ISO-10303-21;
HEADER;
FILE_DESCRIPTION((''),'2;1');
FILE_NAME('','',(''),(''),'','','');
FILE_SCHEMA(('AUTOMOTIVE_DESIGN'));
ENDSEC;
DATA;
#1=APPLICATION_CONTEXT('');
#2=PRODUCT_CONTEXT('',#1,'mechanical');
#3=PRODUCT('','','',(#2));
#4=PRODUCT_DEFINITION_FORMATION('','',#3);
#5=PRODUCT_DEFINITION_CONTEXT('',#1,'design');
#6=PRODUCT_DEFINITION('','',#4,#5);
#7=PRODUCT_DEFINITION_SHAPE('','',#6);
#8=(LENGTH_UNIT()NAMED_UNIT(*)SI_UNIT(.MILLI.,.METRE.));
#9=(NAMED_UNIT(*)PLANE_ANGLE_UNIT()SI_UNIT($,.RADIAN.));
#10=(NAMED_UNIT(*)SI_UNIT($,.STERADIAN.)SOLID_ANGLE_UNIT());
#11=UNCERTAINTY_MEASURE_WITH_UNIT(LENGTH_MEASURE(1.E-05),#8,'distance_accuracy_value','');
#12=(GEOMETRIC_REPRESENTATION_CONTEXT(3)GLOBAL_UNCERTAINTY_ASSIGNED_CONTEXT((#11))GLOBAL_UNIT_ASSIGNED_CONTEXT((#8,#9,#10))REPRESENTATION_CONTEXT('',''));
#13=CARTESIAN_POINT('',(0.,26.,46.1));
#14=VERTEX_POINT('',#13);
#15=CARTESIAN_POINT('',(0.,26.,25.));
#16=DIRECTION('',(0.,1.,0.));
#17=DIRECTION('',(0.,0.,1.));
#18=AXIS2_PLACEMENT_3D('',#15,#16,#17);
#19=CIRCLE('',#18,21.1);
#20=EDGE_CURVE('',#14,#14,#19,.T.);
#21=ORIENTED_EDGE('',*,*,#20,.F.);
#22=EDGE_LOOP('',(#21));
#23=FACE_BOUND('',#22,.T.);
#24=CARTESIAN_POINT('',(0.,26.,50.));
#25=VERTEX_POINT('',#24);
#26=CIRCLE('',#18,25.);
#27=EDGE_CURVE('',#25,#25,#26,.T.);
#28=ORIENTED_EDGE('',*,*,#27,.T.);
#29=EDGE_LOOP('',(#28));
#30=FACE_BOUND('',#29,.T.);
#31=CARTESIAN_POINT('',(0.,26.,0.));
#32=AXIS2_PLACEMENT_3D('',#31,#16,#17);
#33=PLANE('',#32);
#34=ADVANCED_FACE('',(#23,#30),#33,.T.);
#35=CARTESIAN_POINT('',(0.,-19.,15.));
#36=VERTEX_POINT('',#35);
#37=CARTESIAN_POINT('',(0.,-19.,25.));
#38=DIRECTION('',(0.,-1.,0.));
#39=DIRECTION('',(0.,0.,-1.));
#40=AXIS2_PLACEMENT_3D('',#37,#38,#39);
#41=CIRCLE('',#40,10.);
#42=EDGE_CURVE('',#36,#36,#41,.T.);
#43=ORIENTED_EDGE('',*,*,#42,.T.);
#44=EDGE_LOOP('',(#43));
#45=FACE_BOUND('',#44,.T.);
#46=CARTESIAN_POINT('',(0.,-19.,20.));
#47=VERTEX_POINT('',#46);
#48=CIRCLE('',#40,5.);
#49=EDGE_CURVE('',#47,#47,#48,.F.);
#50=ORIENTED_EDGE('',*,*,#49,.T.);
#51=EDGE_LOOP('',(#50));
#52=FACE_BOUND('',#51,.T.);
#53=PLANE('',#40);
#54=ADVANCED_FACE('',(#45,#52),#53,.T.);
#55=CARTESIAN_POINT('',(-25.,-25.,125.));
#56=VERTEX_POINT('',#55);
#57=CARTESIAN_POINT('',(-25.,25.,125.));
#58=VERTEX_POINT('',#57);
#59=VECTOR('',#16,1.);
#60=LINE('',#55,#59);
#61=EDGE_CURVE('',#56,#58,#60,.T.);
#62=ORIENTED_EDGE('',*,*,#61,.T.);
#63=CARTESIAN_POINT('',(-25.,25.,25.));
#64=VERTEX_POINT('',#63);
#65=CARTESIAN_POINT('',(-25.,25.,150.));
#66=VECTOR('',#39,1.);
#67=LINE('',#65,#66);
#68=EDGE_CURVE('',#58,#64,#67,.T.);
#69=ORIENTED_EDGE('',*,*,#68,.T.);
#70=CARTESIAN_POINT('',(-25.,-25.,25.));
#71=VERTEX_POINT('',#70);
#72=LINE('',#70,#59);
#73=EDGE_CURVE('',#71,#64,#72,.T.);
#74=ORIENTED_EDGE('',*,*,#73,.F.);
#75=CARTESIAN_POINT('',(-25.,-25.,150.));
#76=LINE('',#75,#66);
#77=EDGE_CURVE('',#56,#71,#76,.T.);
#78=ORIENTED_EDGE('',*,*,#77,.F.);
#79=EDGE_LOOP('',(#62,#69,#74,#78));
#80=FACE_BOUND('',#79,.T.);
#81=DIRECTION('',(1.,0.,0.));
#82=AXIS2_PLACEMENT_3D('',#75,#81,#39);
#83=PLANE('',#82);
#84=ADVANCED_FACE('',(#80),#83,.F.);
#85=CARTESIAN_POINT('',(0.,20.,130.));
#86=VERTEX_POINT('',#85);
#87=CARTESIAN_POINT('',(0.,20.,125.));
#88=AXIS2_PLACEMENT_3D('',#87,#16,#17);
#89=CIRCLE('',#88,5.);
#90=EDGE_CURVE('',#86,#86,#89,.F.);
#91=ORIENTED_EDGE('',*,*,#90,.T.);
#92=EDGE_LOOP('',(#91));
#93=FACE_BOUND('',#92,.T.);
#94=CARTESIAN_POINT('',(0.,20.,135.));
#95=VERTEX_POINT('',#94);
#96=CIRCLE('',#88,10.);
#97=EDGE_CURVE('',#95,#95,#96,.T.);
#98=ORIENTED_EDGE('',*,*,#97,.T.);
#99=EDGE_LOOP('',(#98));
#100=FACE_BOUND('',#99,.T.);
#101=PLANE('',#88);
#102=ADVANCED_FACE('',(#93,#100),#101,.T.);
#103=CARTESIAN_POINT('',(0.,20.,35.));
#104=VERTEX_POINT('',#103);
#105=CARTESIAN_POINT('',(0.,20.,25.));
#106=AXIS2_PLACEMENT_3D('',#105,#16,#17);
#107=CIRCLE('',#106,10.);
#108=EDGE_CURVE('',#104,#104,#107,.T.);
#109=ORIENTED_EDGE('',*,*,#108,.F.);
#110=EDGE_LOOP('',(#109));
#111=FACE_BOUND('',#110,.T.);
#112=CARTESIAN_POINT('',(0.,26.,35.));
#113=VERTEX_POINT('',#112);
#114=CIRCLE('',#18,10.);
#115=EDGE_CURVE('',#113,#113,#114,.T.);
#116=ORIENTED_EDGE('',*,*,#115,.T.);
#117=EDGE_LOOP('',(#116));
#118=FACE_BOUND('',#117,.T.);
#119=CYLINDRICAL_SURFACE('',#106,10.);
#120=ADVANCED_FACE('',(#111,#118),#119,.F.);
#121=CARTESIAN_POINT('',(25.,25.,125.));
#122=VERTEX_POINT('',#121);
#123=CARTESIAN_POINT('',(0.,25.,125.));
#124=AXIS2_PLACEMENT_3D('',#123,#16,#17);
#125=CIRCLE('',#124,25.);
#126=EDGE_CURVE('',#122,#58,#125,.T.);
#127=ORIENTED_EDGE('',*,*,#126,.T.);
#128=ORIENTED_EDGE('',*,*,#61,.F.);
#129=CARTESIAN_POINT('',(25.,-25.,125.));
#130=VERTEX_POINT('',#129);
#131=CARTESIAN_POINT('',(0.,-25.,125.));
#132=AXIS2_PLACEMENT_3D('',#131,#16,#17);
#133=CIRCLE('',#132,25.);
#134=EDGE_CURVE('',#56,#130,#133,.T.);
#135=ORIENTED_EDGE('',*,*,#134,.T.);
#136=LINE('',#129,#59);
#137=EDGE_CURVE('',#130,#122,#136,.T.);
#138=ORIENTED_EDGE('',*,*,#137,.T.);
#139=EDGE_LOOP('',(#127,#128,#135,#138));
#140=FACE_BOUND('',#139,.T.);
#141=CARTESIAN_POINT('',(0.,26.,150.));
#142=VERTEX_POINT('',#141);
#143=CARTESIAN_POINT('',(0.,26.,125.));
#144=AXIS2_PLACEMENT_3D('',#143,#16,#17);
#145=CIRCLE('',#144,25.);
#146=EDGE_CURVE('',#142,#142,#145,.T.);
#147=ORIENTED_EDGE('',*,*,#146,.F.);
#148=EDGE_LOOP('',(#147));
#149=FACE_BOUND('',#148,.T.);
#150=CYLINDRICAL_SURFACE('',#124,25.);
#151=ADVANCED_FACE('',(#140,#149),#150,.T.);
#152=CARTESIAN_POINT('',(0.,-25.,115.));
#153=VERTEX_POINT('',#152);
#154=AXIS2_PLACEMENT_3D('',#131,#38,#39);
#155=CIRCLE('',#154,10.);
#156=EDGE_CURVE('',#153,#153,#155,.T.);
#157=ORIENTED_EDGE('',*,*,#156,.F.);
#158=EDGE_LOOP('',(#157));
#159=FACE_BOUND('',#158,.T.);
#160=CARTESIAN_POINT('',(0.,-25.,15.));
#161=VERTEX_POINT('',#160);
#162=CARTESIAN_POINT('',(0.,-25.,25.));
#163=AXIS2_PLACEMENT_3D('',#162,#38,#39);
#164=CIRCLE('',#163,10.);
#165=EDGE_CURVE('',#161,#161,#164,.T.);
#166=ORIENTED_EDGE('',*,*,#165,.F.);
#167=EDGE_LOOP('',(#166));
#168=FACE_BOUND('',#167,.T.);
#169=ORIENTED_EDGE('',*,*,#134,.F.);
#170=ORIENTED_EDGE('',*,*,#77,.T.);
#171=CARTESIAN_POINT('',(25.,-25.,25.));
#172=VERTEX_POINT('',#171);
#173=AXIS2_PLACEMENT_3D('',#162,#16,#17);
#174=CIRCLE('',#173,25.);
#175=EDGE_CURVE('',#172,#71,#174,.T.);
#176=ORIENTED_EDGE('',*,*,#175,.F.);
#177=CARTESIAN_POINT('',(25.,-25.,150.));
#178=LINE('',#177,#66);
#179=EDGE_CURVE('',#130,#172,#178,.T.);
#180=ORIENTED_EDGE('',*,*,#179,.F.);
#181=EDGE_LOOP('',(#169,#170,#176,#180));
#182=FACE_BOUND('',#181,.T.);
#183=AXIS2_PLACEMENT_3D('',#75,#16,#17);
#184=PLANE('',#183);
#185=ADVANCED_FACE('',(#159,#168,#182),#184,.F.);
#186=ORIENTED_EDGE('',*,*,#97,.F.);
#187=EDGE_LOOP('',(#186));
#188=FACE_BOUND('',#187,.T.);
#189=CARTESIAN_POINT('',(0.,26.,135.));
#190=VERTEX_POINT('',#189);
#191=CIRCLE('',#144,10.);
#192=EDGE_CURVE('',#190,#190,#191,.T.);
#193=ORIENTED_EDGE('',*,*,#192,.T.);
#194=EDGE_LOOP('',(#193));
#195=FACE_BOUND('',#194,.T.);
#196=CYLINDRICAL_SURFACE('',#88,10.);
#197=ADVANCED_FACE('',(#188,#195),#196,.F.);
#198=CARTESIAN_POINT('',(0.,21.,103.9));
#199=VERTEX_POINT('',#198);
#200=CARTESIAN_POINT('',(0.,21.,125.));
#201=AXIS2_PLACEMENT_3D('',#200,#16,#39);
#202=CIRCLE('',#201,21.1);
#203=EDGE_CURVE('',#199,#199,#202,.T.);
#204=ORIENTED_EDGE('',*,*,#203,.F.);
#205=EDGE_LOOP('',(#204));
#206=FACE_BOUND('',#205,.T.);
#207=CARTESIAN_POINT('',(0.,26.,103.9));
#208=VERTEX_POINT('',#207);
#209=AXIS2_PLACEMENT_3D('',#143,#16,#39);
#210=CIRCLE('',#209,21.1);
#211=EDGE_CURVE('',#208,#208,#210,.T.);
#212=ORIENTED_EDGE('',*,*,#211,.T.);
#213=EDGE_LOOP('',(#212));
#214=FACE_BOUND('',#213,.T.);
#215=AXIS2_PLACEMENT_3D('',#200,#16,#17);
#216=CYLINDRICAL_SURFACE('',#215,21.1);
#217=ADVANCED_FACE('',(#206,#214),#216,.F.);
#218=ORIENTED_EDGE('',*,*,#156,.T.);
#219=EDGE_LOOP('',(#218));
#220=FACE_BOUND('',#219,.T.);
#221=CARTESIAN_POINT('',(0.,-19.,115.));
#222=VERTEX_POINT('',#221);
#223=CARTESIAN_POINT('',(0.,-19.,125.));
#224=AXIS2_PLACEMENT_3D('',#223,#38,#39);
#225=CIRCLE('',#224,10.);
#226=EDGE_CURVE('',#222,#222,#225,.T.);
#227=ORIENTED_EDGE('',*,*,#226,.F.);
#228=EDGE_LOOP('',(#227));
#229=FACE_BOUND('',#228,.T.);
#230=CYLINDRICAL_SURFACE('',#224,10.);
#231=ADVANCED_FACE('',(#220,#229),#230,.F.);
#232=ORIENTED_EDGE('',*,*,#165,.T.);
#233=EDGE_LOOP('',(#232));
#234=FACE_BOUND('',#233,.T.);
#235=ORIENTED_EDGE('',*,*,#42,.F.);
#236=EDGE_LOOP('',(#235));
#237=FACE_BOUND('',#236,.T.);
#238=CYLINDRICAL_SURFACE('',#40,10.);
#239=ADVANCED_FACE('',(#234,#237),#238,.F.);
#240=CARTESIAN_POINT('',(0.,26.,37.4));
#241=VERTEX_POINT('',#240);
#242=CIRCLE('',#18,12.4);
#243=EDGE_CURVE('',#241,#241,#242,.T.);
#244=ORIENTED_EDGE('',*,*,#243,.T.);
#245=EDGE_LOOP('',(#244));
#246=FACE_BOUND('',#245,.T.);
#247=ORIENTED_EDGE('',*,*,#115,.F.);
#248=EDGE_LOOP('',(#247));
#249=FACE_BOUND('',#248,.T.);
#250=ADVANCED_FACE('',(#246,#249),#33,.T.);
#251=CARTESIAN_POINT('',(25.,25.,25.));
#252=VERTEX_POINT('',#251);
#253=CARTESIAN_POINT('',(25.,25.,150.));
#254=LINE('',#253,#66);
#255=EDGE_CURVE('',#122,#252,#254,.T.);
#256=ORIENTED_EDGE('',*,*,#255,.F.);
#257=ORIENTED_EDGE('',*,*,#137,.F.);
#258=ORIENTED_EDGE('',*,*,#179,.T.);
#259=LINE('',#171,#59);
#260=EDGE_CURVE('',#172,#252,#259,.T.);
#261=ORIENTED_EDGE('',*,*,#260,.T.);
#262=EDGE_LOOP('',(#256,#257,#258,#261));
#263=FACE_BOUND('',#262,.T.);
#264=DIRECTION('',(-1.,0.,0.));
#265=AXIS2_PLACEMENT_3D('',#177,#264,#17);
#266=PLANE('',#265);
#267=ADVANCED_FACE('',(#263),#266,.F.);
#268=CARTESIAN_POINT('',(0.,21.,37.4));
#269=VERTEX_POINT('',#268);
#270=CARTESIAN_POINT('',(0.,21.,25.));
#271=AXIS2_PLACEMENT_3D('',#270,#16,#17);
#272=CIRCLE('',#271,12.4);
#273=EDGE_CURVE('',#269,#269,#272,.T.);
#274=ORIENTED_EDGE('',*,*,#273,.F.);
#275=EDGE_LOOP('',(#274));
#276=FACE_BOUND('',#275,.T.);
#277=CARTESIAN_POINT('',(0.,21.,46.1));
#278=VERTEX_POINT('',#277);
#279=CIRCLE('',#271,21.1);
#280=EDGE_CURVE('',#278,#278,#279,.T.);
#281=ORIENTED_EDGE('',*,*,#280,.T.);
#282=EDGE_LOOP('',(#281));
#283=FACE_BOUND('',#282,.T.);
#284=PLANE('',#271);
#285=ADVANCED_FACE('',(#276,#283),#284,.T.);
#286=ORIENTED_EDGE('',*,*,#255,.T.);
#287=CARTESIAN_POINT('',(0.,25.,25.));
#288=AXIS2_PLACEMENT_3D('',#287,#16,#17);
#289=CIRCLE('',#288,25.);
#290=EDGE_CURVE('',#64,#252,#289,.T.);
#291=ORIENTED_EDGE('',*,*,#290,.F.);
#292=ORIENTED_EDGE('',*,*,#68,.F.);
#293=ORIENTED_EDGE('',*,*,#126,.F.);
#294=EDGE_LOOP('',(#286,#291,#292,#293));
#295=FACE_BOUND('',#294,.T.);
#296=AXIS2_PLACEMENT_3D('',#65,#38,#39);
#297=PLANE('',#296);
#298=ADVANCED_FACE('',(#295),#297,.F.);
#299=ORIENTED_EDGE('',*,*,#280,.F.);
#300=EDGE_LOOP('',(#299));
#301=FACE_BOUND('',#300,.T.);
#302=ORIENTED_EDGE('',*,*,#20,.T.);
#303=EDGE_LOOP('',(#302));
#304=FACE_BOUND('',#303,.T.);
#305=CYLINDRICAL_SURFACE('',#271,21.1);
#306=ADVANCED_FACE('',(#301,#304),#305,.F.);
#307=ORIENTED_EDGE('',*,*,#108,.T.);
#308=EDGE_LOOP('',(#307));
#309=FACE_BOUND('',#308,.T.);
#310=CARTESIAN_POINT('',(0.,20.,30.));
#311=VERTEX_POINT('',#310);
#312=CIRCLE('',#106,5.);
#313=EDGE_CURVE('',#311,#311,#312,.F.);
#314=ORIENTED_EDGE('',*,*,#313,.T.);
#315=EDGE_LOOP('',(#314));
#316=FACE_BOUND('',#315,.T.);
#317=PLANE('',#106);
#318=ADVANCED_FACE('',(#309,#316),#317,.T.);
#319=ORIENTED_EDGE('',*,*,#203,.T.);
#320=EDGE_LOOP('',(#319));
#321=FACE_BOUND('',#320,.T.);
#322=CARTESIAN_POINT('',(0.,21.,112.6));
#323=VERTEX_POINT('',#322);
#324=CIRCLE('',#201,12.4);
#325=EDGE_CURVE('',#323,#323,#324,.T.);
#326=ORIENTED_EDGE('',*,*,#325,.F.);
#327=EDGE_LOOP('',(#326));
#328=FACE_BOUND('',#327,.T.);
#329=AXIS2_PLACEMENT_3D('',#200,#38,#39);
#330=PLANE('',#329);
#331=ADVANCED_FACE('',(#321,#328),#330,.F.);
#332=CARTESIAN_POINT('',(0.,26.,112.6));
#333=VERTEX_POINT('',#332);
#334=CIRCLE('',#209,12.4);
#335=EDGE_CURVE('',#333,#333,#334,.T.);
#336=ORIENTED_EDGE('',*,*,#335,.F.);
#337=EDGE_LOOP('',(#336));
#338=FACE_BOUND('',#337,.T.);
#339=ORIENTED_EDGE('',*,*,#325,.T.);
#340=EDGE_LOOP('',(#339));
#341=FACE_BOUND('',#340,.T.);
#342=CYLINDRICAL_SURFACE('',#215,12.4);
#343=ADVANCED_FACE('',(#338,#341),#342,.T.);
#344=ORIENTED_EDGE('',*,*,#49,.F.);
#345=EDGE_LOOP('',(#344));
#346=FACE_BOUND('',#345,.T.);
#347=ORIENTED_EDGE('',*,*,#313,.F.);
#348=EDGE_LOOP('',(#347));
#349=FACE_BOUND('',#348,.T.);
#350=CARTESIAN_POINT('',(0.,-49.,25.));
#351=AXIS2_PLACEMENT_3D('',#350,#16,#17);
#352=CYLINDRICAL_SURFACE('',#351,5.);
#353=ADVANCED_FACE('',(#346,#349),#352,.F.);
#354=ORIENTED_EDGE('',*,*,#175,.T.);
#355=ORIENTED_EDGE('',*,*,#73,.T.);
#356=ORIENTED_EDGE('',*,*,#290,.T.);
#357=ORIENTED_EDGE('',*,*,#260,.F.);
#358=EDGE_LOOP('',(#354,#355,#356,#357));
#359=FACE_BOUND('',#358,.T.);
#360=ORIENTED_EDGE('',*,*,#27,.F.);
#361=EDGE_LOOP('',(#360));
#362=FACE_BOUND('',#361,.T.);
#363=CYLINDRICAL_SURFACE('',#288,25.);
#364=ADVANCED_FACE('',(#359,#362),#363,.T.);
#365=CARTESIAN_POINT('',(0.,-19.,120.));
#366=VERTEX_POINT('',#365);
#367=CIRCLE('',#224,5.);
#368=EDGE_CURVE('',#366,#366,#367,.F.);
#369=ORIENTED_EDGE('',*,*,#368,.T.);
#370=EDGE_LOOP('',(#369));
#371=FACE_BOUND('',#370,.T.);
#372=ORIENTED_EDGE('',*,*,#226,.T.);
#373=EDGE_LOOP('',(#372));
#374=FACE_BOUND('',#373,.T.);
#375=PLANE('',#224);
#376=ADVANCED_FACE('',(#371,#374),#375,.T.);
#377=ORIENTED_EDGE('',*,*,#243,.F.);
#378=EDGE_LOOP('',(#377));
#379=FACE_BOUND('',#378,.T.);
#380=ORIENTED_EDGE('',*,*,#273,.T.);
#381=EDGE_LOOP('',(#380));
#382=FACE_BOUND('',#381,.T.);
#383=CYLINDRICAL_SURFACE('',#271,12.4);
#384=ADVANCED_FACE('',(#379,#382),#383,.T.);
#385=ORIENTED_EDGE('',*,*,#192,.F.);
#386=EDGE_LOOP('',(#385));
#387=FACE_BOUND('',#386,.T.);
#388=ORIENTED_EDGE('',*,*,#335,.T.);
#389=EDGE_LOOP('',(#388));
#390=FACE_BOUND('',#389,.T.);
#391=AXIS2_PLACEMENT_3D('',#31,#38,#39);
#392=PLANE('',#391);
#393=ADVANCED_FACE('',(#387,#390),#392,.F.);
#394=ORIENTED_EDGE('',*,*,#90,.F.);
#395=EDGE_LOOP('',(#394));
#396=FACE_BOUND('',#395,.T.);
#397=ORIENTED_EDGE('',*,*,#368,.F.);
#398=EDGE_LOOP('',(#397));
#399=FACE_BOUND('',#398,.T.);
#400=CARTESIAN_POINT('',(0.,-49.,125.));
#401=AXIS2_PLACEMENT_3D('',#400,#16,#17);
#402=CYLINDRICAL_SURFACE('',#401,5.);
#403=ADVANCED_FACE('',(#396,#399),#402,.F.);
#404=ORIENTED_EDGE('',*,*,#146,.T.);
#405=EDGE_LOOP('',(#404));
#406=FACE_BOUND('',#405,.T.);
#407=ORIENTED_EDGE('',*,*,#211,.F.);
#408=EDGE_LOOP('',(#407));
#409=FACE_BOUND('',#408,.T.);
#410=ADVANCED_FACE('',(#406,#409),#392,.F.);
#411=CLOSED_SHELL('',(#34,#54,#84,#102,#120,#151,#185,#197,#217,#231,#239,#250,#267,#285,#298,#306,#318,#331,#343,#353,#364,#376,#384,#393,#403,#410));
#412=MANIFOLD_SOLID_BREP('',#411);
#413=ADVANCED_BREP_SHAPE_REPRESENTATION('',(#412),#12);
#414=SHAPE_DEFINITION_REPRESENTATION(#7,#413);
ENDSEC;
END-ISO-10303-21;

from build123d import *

# Parameters (mm, degrees)
SKIZZE1_W                       = 50
SKIZZE1_H                       = 50
AUFSATZ_LINEAR_AUSTRAGEN1_DEPTH = 150
SKIZZE2_W                       = 50
SKIZZE2_H                       = 50
AUFSATZ_LINEAR_AUSTRAGEN2_DEPTH = 1
SCHNITT_LINEAR_AUSTRAGEN1_DEPTH = 1
SCHNITT_LINEAR_AUSTRAGEN2_DEPTH = 50
SKIZZE5_R                       = 5
SCHNITT_LINEAR_AUSTRAGEN3_DEPTH = 75
SKIZZE6_R                       = 10
SCHNITT_LINEAR_AUSTRAGEN4_DEPTH = 6
SCHNITT_LINEAR_START            = -6
SKIZZE7_R                       = 10
SCHNITT_LINEAR_AUSTRAGEN5_DEPTH = 6
SKIZZE8_R                       = 21.1
SKIZZE8_R_2                     = 12.4
SCHNITT_LINEAR_AUSTRAGEN6_DEPTH = 5


with BuildPart() as part:
    # Skizze1 → Aufsatz-Linear austragen1 (new body)
    with BuildSketch(Plane.XY):
        Rectangle(SKIZZE1_W, SKIZZE1_H)
    extrude(amount=AUFSATZ_LINEAR_AUSTRAGEN1_DEPTH)

    # Skizze2 → Aufsatz-Linear austragen2 (add)
    with BuildSketch(Plane(origin=(0, 25, 0), x_dir=(1, 0, 0), z_dir=(0, 1, 0))):
        with Locations((0, -125)):
            Rectangle(SKIZZE2_W, SKIZZE2_H)
        with Locations((0, -25)):
            Rectangle(SKIZZE2_W, SKIZZE2_H)
    extrude(amount=AUFSATZ_LINEAR_AUSTRAGEN2_DEPTH)

    # Skizze3 → Schnitt-Linear austragen1 (cut)
    with BuildSketch(Plane(origin=(0, 26, 0), x_dir=(1, 0, 0), z_dir=(0, 1, 0))):
        with BuildLine():
            Line((4.2e-08, 0), (-25, 0))
            Line((-25, 0), (-25, -25))
            ThreePointArc((-25, -25), (-17.677669515, -7.322330455), (4.2e-08, 0))
        make_face()
        with BuildLine():
            Line((25, 0), (4.2e-08, 0))
            ThreePointArc((4.2e-08, 0), (17.677669545, -7.322330485), (25, -25))
            Line((25, -25), (25, 0))
        make_face()
        with BuildLine():
            ThreePointArc((0, -50), (-17.67766953, -42.67766953), (-25, -25))
            Line((-25, -25), (-25, -50))
            Line((-25, -50), (0, -50))
        make_face()
        with BuildLine():
            Line((25, -50), (25, -25))
            ThreePointArc((25, -25), (17.67766953, -42.67766953), (0, -50))
            Line((0, -50), (25, -50))
        make_face()
        with BuildLine():
            Line((-3.2e-08, -100), (-25, -100))
            Line((-25, -100), (-25, -125))
            ThreePointArc((-25, -125), (-17.677669541, -107.322330482), (-3.2e-08, -100))
        make_face()
        with BuildLine():
            Line((25, -100), (-3.2e-08, -100))
            ThreePointArc((-3.2e-08, -100), (17.677669518, -107.322330459), (25, -125))
            Line((25, -125), (25, -100))
        make_face()
        with BuildLine():
            ThreePointArc((5.8e-08, -150), (-17.677669509, -142.67766955), (-25, -125))
            Line((-25, -125), (-25, -150))
            Line((-25, -150), (5.8e-08, -150))
        make_face()
        with BuildLine():
            Line((25, -150), (25, -125))
            ThreePointArc((25, -125), (17.67766955, -142.677669509), (5.8e-08, -150))
            Line((5.8e-08, -150), (25, -150))
        make_face()
    extrude(amount=-SCHNITT_LINEAR_AUSTRAGEN1_DEPTH, mode=Mode.SUBTRACT)

    # Skizze4 → Schnitt-Linear austragen2 (cut)
    with BuildSketch(Plane(origin=(0, 25, 0), x_dir=(1, 0, 0), z_dir=(0, 1, 0))):
        with BuildLine():
            Line((25, -150), (25, -125))
            ThreePointArc((25, -125), (17.677669466, -142.677669593), (-1.79e-07, -150))
            Line((-1.79e-07, -150), (25, -150))
        make_face()
        with BuildLine():
            Line((-25, 0), (-25, -25))
            ThreePointArc((-25, -25), (-17.67766953, -7.32233047), (0, 0))
            Line((0, 0), (-25, 0))
        make_face()
        with BuildLine():
            Line((25, 0), (0, 0))
            ThreePointArc((0, 0), (17.67766953, -7.32233047), (25, -25))
            Line((25, -25), (25, 0))
        make_face()
        with BuildLine():
            ThreePointArc((-1.79e-07, -150), (-17.677669593, -142.677669466), (-25, -125))
            Line((-25, -125), (-25, -150))
            Line((-25, -150), (-1.79e-07, -150))
        make_face()
    extrude(amount=-SCHNITT_LINEAR_AUSTRAGEN2_DEPTH, mode=Mode.SUBTRACT)

    # Skizze5 → Schnitt-Linear austragen3 (cut)
    with BuildSketch(Plane(origin=(0, 26, 0), x_dir=(1, 0, 0), z_dir=(0, 1, 0))):
        with Locations((0, -25)):
            Circle(SKIZZE5_R)
        with Locations((0, -125)):
            Circle(SKIZZE5_R)
    extrude(amount=-SCHNITT_LINEAR_AUSTRAGEN3_DEPTH, mode=Mode.SUBTRACT)

    # Skizze6 → Schnitt-Linear austragen4 (cut)
    with BuildSketch(Plane(origin=(0, 26, 0), x_dir=(1, 0, 0), z_dir=(0, 1, 0))):
        with Locations((0, -125)):
            Circle(SKIZZE6_R)
        with Locations((0, -25)):
            Circle(SKIZZE6_R)
    extrude(amount=-SCHNITT_LINEAR_AUSTRAGEN4_DEPTH, mode=Mode.SUBTRACT)

    # Skizze7 → Schnitt-Linear austragen5 (cut)
    with BuildSketch(Plane.XZ.offset(25).offset(SCHNITT_LINEAR_START)):
        with Locations((0, 125)):
            Circle(SKIZZE7_R)
        with Locations((0, 25)):
            Circle(SKIZZE7_R)
    extrude(amount=SCHNITT_LINEAR_AUSTRAGEN5_DEPTH, mode=Mode.SUBTRACT)

    # Skizze8 → Schnitt-Linear austragen6 (cut)
    # profile 1 of 2: a face of its own
    with BuildSketch(Plane(origin=(0, 26, 0), x_dir=(1, 0, 0), z_dir=(0, 1, 0))):
        with Locations((0, -25)):
            Circle(SKIZZE8_R)
        with Locations((0, -25)):
            Circle(SKIZZE8_R_2, mode=Mode.SUBTRACT)
    # profile 2 of 2: a face of its own
    with BuildSketch(Plane(origin=(0, 26, 0), x_dir=(1, 0, 0), z_dir=(0, 1, 0))):
        with Locations((0, -125)):
            Circle(SKIZZE8_R)
        with Locations((0, -125)):
            Circle(SKIZZE8_R_2, mode=Mode.SUBTRACT)
    extrude(amount=-SCHNITT_LINEAR_AUSTRAGEN6_DEPTH, mode=Mode.SUBTRACT)


solid = part.part
